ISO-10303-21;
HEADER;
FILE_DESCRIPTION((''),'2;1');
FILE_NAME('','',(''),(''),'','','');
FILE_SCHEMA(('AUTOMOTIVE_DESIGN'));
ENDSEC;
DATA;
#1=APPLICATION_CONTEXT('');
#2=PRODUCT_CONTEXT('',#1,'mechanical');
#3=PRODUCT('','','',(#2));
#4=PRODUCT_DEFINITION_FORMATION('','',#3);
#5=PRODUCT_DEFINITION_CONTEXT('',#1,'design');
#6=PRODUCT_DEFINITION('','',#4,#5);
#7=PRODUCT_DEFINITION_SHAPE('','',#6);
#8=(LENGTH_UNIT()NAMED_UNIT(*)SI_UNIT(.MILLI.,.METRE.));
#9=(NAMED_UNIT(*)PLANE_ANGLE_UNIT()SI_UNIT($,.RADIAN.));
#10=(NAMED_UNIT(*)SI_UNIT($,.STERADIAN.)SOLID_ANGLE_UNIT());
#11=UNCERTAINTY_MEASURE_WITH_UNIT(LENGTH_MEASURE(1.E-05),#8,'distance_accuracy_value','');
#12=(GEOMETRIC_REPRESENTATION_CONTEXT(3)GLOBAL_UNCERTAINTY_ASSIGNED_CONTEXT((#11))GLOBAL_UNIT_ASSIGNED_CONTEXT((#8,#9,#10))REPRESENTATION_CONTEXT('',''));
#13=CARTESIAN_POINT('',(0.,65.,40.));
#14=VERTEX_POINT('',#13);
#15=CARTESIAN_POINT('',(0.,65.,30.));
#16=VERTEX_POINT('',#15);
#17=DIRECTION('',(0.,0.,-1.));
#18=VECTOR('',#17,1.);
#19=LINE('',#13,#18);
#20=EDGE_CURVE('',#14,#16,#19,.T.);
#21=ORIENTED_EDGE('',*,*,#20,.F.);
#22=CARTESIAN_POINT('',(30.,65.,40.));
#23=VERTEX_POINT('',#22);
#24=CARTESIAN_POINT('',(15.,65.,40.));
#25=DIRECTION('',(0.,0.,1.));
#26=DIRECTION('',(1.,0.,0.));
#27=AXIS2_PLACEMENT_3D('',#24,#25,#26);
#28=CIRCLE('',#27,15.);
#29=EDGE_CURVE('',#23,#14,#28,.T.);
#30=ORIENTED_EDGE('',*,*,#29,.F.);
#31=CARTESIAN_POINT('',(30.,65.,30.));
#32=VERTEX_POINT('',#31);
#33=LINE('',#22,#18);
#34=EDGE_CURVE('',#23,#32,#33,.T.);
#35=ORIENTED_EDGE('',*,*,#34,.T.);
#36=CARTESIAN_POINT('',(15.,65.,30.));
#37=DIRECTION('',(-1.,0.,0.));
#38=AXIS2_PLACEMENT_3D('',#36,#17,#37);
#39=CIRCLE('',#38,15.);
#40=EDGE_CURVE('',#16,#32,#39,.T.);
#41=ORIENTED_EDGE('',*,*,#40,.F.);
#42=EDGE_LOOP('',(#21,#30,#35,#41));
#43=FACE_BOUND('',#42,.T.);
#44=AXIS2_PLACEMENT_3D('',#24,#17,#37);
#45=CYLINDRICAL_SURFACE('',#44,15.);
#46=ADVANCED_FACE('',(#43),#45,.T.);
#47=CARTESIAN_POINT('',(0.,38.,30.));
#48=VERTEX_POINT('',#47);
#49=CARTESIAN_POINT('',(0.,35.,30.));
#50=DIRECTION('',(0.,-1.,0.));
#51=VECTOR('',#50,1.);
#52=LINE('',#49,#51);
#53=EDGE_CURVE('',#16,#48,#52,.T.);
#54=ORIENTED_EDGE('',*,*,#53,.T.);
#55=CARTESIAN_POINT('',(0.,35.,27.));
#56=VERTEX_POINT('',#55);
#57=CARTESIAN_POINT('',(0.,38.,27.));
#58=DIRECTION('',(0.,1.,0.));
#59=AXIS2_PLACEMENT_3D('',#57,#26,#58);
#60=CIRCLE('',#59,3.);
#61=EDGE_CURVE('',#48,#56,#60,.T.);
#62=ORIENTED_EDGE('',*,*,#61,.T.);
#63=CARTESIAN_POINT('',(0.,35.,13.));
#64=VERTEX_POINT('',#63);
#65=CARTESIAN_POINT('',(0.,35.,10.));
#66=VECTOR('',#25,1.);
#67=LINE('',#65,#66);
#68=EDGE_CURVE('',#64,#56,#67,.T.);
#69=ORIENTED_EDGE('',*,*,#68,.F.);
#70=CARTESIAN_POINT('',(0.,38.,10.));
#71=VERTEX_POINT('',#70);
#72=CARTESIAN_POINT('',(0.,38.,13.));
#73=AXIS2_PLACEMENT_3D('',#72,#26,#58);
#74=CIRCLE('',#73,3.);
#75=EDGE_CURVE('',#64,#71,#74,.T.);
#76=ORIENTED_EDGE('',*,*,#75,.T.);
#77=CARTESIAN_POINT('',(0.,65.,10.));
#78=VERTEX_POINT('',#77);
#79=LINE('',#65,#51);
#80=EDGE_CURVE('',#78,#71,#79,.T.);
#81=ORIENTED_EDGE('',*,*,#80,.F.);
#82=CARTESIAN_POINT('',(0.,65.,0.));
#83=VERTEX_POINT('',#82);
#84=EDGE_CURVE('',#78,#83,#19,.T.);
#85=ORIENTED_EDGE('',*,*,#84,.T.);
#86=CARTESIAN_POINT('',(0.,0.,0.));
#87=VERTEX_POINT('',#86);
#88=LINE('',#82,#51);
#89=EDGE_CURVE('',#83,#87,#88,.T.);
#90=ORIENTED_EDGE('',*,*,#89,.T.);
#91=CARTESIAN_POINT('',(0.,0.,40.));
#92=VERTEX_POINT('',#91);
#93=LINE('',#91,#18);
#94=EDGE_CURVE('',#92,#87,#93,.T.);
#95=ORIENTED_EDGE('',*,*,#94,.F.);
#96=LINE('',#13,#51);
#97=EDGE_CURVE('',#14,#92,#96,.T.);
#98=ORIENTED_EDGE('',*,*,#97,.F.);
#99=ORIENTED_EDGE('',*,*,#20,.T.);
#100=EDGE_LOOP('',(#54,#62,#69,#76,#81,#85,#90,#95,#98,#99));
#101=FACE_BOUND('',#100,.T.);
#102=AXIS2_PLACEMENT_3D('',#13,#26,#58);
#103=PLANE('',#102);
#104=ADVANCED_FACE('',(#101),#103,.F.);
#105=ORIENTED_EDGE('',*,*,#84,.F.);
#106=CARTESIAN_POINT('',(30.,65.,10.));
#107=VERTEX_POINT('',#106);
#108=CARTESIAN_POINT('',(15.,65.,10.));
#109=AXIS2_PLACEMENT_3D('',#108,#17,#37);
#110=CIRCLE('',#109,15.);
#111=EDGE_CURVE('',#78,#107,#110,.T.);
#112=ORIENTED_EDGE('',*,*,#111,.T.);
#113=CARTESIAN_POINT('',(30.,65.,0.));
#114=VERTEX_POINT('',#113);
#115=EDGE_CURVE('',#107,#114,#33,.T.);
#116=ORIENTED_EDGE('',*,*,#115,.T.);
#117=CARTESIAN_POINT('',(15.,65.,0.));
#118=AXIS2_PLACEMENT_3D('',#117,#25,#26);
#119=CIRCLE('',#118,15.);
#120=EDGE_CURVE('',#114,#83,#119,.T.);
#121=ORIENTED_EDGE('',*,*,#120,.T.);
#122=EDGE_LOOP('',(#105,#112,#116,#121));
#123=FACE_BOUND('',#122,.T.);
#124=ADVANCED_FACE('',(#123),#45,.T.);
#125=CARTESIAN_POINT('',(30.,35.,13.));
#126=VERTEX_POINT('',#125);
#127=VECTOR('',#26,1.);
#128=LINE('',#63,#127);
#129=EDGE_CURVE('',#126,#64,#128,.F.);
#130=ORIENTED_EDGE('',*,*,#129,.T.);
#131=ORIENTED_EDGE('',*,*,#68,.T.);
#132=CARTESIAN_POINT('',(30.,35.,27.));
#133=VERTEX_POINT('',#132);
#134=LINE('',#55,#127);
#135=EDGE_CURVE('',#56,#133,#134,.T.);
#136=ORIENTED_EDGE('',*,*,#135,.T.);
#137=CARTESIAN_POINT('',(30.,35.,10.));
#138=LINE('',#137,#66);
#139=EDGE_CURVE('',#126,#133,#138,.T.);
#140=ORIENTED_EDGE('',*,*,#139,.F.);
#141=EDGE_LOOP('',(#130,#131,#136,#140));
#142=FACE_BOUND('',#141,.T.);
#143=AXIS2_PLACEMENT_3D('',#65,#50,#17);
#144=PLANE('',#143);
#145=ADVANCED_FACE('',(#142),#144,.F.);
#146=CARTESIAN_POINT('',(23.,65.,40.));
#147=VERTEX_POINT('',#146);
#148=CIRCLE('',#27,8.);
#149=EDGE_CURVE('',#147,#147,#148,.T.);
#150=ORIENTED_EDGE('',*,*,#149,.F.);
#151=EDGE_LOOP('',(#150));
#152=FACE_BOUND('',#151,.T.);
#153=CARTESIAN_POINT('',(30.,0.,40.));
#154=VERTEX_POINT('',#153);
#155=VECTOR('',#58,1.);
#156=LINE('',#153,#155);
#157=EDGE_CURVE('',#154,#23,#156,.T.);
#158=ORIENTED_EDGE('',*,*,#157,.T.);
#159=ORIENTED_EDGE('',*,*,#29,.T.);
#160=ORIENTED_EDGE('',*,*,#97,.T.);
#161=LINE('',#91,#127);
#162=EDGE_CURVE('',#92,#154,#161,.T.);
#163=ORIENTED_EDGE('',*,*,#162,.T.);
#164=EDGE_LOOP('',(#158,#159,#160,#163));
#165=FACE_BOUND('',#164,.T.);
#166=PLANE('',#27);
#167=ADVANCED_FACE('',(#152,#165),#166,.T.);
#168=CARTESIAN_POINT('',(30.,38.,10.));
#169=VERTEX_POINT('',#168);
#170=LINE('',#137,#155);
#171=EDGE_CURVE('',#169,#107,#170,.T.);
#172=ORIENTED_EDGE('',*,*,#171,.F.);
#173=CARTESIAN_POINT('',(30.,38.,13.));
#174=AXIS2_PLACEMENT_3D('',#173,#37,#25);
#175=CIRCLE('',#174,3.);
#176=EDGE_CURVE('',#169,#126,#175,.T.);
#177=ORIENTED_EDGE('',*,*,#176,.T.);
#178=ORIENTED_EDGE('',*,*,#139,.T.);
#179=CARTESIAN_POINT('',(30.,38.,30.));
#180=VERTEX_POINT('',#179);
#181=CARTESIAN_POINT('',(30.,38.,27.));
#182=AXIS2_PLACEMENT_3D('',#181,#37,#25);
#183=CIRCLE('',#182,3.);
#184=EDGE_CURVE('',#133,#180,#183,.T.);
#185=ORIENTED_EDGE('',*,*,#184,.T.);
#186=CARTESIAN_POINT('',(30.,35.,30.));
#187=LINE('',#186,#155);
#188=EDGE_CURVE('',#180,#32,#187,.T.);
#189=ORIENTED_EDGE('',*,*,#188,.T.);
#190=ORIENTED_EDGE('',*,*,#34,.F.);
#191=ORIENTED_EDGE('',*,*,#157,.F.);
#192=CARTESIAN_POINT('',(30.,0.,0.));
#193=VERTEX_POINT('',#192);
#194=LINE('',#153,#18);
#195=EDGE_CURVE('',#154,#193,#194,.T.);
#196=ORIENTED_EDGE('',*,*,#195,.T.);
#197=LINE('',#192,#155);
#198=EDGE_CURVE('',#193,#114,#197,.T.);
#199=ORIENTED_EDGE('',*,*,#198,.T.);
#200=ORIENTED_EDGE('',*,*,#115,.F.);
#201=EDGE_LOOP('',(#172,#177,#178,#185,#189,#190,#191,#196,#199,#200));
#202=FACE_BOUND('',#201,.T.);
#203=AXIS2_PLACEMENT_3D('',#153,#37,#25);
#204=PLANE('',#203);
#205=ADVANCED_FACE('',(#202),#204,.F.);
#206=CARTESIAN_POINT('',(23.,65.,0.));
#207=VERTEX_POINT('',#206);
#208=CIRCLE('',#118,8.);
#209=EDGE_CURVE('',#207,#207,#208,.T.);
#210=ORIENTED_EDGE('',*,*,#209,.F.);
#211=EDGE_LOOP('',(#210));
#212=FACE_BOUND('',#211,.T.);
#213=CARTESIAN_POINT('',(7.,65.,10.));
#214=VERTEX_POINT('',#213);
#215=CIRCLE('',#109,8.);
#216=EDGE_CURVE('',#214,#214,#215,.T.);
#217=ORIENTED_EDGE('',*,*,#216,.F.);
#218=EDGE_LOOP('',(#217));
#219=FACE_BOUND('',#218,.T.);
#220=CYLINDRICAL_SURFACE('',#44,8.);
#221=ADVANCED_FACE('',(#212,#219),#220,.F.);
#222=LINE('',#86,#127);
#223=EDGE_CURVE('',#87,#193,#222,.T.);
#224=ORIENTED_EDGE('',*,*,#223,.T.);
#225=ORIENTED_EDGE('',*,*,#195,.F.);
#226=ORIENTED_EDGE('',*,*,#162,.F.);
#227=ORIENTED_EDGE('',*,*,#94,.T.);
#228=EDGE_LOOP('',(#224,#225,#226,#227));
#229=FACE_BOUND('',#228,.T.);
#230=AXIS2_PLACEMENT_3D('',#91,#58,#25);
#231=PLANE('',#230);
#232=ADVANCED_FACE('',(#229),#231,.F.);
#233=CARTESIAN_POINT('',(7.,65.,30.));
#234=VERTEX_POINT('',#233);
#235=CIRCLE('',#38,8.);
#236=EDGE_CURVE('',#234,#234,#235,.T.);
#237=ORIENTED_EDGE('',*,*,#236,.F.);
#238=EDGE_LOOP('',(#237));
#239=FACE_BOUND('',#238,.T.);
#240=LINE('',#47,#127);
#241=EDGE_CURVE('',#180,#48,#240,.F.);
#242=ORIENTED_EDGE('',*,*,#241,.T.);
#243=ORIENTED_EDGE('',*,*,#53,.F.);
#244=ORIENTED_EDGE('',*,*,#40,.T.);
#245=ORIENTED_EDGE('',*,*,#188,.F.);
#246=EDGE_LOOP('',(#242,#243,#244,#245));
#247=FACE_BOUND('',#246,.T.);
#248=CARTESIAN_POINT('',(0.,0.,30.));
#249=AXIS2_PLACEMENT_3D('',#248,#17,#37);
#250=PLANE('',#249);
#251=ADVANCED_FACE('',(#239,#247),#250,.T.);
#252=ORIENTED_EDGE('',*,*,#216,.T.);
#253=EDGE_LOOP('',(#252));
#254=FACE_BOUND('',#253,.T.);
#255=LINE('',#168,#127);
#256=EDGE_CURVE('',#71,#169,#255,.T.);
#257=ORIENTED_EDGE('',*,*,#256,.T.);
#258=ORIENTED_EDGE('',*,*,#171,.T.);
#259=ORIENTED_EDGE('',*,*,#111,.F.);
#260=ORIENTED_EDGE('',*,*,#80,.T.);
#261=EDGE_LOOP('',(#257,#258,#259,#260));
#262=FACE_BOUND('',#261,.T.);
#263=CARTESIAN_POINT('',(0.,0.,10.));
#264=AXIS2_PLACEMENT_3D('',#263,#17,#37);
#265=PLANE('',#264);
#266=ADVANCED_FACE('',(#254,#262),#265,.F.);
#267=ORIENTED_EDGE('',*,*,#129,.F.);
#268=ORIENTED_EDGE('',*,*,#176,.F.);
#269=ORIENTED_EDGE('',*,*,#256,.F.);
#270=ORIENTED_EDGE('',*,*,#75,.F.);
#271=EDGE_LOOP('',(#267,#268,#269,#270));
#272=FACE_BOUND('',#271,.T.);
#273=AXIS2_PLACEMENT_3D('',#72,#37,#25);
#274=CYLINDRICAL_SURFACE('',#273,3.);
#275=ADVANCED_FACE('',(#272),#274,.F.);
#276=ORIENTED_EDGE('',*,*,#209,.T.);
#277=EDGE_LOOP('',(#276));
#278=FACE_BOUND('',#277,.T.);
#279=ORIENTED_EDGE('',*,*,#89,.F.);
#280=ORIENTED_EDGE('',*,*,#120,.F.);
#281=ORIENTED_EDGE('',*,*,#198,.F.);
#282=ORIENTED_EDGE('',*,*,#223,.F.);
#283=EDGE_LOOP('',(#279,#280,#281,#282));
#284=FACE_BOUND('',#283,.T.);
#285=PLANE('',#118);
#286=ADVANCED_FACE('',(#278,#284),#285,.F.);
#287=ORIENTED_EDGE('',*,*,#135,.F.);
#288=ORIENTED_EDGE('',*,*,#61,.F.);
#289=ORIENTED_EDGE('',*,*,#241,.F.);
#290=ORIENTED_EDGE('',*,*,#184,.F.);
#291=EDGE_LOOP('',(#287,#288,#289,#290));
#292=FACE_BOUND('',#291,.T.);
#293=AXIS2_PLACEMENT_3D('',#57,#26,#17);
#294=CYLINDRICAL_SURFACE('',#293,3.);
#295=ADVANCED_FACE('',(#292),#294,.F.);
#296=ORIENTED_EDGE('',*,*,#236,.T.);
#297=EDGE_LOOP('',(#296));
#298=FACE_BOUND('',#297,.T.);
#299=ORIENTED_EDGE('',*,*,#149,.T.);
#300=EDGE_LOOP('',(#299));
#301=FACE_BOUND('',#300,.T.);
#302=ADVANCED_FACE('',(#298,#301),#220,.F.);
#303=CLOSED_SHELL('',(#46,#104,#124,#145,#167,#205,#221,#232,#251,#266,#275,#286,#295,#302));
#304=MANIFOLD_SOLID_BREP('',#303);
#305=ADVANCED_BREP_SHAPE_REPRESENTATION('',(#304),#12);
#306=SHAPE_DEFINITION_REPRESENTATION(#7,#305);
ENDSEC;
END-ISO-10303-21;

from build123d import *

# Parameters (mm, degrees)
SKETCH_1_R          = 8
EXTRUDE_1_DEPTH     = 40
CUT_EXTRUDE_START   = 20
SKETCH_2_W          = 30
SKETCH_2_H          = 45
CUT_EXTRUDE_1_DEPTH = 10
FILLET_1_R          = 3


with BuildPart() as part:
    # Эскиз1 → Бобышка-Вытянуть1 (new body)
    with BuildSketch(Plane.XY):
        with BuildLine():
            Line((0, 0), (30, 0))
            Line((30, 0), (30, 65))
            ThreePointArc((30, 65), (15, 80), (0, 65))
            Line((0, 65), (0, 0))
        make_face()
        with Locations((15, 65)):
            Circle(SKETCH_1_R, mode=Mode.SUBTRACT)
    extrude(amount=EXTRUDE_1_DEPTH)

    # Эскиз2 → Вырез-Вытянуть1 (cut, symmetric)
    with BuildSketch(Plane.XY.offset(CUT_EXTRUDE_START)):
        with Locations((15, 57.5)):
            Rectangle(SKETCH_2_W, SKETCH_2_H)
    extrude(amount=CUT_EXTRUDE_1_DEPTH, both=True, mode=Mode.SUBTRACT)

    # Скругление1
    fillet_1_edges = [part.edges().sort_by_distance(p)[0] for p in [
        (15, 35, 30),
        (15, 35, 10),
    ]]
    fillet(fillet_1_edges, radius=FILLET_1_R)


solid = part.part
